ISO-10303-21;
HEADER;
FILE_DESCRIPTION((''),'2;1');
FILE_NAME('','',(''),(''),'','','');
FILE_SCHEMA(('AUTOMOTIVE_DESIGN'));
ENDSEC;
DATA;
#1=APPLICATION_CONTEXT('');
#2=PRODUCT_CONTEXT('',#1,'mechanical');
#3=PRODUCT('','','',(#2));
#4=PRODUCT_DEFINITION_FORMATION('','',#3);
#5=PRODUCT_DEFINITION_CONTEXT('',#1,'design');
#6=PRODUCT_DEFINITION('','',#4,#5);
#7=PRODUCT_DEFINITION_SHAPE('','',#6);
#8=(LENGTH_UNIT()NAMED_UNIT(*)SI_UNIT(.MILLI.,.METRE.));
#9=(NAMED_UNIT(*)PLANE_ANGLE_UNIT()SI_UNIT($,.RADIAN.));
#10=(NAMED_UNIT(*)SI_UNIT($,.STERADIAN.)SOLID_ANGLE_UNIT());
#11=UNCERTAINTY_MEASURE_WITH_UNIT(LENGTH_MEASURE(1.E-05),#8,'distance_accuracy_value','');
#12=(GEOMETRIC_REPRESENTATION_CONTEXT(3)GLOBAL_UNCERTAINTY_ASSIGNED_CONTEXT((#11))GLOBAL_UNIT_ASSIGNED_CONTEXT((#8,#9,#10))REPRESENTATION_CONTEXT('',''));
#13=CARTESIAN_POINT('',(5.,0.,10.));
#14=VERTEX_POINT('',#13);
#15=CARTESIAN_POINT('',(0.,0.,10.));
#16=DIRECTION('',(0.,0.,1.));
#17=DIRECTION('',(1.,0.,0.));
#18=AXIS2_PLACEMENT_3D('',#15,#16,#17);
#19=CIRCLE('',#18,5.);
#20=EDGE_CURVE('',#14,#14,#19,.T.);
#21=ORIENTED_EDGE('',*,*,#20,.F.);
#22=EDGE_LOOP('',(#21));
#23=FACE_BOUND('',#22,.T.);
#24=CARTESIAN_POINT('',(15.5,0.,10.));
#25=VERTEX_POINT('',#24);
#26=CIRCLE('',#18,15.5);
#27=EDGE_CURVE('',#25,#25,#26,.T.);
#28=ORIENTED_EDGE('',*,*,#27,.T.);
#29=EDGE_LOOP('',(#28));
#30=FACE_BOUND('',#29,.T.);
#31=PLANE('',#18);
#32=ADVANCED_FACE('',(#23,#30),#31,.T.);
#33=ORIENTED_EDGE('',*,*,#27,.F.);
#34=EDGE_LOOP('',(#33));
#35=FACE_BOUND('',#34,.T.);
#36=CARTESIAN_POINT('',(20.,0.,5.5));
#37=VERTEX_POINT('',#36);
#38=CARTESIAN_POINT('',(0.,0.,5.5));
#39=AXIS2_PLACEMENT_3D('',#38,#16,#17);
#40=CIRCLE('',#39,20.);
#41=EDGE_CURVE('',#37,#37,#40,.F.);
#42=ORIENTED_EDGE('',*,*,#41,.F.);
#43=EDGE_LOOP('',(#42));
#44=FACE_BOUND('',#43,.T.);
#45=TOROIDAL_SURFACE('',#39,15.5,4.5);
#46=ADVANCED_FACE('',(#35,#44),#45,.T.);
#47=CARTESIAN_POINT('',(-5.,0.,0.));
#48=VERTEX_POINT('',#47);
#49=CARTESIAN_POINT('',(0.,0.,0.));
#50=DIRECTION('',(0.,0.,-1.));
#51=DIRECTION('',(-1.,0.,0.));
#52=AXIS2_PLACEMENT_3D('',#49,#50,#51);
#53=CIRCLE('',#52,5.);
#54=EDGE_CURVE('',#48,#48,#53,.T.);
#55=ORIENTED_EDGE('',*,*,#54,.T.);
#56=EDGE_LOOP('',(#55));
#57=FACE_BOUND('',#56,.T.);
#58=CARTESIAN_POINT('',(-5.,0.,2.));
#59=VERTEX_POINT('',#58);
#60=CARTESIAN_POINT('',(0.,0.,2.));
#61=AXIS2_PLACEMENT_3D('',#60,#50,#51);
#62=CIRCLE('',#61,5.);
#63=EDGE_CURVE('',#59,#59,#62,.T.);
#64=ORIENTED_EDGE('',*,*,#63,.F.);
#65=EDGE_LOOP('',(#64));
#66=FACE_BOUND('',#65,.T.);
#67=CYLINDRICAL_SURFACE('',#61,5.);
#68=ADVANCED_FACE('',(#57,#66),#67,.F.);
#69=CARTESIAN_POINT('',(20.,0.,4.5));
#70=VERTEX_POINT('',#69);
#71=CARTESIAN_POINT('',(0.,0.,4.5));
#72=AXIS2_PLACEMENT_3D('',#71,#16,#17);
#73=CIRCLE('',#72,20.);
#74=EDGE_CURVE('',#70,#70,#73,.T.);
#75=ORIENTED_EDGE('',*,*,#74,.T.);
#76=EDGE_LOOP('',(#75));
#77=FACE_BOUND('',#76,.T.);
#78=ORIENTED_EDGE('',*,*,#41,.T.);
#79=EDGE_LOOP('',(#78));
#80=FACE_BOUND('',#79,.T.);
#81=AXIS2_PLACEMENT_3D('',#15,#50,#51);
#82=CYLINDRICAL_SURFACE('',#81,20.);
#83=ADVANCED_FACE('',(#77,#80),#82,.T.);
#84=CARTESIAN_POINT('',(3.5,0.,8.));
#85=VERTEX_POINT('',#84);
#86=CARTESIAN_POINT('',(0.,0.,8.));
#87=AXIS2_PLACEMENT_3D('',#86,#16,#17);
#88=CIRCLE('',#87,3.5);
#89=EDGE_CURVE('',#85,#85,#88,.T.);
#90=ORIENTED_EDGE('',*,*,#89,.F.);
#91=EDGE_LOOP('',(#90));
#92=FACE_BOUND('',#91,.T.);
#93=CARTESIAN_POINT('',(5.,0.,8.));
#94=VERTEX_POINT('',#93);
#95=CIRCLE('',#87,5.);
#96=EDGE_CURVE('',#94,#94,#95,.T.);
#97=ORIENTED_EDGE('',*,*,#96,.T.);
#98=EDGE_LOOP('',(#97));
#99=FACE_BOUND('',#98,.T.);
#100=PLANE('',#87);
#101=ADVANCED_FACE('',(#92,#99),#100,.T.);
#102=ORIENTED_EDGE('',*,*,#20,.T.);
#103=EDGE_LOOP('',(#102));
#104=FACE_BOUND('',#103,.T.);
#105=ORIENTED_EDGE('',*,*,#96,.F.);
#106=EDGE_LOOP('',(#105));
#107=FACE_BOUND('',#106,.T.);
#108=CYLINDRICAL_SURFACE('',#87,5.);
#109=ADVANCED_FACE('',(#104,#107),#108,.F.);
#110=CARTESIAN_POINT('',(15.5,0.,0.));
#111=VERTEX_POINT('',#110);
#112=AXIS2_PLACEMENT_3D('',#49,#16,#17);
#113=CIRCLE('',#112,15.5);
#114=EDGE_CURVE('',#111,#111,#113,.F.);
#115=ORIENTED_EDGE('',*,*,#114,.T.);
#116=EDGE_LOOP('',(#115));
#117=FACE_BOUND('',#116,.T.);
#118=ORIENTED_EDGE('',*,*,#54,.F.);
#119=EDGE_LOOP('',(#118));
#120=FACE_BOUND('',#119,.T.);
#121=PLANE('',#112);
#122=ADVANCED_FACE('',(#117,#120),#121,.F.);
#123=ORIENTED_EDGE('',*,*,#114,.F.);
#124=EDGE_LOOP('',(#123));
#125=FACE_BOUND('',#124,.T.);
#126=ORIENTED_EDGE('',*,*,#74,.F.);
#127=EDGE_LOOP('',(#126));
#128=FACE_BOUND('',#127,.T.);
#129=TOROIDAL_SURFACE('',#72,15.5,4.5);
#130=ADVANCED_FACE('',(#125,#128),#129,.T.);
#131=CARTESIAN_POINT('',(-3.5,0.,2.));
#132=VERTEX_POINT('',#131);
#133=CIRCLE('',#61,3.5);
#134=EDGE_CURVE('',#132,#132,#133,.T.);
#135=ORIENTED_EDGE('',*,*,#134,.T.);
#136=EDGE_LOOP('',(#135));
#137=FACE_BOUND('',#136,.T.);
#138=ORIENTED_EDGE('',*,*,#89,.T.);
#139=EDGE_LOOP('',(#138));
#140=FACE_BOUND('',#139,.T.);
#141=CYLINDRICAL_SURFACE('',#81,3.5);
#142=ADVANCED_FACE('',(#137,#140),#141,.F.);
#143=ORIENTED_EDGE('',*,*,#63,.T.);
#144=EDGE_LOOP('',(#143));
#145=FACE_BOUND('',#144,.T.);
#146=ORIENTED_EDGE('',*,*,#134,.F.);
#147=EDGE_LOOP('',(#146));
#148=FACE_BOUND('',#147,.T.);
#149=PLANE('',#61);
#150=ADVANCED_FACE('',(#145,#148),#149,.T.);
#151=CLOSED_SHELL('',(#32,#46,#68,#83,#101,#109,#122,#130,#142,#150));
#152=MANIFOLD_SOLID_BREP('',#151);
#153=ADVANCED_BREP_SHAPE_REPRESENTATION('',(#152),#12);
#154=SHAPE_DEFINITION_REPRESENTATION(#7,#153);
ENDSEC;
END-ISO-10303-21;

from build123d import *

# Parameters (mm, degrees)
SKETCH1_R           = 20
SKETCH1_R_2         = 3.5
BOSS_EXTRUDE1_DEPTH = 10
FILLET1_R           = 4.5
SKETCH2_R           = 5
CUT_EXTRUDE1_DEPTH  = 2
CUT_EXTRUDE2_START  = -2
SKETCH5_R           = 5
CUT_EXTRUDE2_DEPTH  = 2


with BuildPart() as part:
    # Sketch1 → Boss-Extrude1 (new body)
    with BuildSketch(Plane.XY):
        Circle(SKETCH1_R)
        Circle(SKETCH1_R_2, mode=Mode.SUBTRACT)
    extrude(amount=BOSS_EXTRUDE1_DEPTH)

    # Fillet1
    fillet1_edges = [part.edges().sort_by_distance(p)[0] for p in [
        (-20, 0, 0),
        (-20, 0, 10),
    ]]
    fillet(fillet1_edges, radius=FILLET1_R)

    # Sketch2 → Cut-Extrude1 (cut)
    with BuildSketch(Plane(origin=(0, 0, 0), x_dir=(-1, 0, 0), z_dir=(0, 0, -1))):
        Circle(SKETCH2_R)
    extrude(amount=-CUT_EXTRUDE1_DEPTH, mode=Mode.SUBTRACT)

    # Sketch5 → Cut-Extrude2 (cut)
    with BuildSketch(Plane.XY.offset(10).offset(CUT_EXTRUDE2_START)):
        with Locations(Location((0, 0, 0), (0, 0, 180))):
            Circle(SKETCH5_R)
    extrude(amount=CUT_EXTRUDE2_DEPTH, mode=Mode.SUBTRACT)


solid = part.part
